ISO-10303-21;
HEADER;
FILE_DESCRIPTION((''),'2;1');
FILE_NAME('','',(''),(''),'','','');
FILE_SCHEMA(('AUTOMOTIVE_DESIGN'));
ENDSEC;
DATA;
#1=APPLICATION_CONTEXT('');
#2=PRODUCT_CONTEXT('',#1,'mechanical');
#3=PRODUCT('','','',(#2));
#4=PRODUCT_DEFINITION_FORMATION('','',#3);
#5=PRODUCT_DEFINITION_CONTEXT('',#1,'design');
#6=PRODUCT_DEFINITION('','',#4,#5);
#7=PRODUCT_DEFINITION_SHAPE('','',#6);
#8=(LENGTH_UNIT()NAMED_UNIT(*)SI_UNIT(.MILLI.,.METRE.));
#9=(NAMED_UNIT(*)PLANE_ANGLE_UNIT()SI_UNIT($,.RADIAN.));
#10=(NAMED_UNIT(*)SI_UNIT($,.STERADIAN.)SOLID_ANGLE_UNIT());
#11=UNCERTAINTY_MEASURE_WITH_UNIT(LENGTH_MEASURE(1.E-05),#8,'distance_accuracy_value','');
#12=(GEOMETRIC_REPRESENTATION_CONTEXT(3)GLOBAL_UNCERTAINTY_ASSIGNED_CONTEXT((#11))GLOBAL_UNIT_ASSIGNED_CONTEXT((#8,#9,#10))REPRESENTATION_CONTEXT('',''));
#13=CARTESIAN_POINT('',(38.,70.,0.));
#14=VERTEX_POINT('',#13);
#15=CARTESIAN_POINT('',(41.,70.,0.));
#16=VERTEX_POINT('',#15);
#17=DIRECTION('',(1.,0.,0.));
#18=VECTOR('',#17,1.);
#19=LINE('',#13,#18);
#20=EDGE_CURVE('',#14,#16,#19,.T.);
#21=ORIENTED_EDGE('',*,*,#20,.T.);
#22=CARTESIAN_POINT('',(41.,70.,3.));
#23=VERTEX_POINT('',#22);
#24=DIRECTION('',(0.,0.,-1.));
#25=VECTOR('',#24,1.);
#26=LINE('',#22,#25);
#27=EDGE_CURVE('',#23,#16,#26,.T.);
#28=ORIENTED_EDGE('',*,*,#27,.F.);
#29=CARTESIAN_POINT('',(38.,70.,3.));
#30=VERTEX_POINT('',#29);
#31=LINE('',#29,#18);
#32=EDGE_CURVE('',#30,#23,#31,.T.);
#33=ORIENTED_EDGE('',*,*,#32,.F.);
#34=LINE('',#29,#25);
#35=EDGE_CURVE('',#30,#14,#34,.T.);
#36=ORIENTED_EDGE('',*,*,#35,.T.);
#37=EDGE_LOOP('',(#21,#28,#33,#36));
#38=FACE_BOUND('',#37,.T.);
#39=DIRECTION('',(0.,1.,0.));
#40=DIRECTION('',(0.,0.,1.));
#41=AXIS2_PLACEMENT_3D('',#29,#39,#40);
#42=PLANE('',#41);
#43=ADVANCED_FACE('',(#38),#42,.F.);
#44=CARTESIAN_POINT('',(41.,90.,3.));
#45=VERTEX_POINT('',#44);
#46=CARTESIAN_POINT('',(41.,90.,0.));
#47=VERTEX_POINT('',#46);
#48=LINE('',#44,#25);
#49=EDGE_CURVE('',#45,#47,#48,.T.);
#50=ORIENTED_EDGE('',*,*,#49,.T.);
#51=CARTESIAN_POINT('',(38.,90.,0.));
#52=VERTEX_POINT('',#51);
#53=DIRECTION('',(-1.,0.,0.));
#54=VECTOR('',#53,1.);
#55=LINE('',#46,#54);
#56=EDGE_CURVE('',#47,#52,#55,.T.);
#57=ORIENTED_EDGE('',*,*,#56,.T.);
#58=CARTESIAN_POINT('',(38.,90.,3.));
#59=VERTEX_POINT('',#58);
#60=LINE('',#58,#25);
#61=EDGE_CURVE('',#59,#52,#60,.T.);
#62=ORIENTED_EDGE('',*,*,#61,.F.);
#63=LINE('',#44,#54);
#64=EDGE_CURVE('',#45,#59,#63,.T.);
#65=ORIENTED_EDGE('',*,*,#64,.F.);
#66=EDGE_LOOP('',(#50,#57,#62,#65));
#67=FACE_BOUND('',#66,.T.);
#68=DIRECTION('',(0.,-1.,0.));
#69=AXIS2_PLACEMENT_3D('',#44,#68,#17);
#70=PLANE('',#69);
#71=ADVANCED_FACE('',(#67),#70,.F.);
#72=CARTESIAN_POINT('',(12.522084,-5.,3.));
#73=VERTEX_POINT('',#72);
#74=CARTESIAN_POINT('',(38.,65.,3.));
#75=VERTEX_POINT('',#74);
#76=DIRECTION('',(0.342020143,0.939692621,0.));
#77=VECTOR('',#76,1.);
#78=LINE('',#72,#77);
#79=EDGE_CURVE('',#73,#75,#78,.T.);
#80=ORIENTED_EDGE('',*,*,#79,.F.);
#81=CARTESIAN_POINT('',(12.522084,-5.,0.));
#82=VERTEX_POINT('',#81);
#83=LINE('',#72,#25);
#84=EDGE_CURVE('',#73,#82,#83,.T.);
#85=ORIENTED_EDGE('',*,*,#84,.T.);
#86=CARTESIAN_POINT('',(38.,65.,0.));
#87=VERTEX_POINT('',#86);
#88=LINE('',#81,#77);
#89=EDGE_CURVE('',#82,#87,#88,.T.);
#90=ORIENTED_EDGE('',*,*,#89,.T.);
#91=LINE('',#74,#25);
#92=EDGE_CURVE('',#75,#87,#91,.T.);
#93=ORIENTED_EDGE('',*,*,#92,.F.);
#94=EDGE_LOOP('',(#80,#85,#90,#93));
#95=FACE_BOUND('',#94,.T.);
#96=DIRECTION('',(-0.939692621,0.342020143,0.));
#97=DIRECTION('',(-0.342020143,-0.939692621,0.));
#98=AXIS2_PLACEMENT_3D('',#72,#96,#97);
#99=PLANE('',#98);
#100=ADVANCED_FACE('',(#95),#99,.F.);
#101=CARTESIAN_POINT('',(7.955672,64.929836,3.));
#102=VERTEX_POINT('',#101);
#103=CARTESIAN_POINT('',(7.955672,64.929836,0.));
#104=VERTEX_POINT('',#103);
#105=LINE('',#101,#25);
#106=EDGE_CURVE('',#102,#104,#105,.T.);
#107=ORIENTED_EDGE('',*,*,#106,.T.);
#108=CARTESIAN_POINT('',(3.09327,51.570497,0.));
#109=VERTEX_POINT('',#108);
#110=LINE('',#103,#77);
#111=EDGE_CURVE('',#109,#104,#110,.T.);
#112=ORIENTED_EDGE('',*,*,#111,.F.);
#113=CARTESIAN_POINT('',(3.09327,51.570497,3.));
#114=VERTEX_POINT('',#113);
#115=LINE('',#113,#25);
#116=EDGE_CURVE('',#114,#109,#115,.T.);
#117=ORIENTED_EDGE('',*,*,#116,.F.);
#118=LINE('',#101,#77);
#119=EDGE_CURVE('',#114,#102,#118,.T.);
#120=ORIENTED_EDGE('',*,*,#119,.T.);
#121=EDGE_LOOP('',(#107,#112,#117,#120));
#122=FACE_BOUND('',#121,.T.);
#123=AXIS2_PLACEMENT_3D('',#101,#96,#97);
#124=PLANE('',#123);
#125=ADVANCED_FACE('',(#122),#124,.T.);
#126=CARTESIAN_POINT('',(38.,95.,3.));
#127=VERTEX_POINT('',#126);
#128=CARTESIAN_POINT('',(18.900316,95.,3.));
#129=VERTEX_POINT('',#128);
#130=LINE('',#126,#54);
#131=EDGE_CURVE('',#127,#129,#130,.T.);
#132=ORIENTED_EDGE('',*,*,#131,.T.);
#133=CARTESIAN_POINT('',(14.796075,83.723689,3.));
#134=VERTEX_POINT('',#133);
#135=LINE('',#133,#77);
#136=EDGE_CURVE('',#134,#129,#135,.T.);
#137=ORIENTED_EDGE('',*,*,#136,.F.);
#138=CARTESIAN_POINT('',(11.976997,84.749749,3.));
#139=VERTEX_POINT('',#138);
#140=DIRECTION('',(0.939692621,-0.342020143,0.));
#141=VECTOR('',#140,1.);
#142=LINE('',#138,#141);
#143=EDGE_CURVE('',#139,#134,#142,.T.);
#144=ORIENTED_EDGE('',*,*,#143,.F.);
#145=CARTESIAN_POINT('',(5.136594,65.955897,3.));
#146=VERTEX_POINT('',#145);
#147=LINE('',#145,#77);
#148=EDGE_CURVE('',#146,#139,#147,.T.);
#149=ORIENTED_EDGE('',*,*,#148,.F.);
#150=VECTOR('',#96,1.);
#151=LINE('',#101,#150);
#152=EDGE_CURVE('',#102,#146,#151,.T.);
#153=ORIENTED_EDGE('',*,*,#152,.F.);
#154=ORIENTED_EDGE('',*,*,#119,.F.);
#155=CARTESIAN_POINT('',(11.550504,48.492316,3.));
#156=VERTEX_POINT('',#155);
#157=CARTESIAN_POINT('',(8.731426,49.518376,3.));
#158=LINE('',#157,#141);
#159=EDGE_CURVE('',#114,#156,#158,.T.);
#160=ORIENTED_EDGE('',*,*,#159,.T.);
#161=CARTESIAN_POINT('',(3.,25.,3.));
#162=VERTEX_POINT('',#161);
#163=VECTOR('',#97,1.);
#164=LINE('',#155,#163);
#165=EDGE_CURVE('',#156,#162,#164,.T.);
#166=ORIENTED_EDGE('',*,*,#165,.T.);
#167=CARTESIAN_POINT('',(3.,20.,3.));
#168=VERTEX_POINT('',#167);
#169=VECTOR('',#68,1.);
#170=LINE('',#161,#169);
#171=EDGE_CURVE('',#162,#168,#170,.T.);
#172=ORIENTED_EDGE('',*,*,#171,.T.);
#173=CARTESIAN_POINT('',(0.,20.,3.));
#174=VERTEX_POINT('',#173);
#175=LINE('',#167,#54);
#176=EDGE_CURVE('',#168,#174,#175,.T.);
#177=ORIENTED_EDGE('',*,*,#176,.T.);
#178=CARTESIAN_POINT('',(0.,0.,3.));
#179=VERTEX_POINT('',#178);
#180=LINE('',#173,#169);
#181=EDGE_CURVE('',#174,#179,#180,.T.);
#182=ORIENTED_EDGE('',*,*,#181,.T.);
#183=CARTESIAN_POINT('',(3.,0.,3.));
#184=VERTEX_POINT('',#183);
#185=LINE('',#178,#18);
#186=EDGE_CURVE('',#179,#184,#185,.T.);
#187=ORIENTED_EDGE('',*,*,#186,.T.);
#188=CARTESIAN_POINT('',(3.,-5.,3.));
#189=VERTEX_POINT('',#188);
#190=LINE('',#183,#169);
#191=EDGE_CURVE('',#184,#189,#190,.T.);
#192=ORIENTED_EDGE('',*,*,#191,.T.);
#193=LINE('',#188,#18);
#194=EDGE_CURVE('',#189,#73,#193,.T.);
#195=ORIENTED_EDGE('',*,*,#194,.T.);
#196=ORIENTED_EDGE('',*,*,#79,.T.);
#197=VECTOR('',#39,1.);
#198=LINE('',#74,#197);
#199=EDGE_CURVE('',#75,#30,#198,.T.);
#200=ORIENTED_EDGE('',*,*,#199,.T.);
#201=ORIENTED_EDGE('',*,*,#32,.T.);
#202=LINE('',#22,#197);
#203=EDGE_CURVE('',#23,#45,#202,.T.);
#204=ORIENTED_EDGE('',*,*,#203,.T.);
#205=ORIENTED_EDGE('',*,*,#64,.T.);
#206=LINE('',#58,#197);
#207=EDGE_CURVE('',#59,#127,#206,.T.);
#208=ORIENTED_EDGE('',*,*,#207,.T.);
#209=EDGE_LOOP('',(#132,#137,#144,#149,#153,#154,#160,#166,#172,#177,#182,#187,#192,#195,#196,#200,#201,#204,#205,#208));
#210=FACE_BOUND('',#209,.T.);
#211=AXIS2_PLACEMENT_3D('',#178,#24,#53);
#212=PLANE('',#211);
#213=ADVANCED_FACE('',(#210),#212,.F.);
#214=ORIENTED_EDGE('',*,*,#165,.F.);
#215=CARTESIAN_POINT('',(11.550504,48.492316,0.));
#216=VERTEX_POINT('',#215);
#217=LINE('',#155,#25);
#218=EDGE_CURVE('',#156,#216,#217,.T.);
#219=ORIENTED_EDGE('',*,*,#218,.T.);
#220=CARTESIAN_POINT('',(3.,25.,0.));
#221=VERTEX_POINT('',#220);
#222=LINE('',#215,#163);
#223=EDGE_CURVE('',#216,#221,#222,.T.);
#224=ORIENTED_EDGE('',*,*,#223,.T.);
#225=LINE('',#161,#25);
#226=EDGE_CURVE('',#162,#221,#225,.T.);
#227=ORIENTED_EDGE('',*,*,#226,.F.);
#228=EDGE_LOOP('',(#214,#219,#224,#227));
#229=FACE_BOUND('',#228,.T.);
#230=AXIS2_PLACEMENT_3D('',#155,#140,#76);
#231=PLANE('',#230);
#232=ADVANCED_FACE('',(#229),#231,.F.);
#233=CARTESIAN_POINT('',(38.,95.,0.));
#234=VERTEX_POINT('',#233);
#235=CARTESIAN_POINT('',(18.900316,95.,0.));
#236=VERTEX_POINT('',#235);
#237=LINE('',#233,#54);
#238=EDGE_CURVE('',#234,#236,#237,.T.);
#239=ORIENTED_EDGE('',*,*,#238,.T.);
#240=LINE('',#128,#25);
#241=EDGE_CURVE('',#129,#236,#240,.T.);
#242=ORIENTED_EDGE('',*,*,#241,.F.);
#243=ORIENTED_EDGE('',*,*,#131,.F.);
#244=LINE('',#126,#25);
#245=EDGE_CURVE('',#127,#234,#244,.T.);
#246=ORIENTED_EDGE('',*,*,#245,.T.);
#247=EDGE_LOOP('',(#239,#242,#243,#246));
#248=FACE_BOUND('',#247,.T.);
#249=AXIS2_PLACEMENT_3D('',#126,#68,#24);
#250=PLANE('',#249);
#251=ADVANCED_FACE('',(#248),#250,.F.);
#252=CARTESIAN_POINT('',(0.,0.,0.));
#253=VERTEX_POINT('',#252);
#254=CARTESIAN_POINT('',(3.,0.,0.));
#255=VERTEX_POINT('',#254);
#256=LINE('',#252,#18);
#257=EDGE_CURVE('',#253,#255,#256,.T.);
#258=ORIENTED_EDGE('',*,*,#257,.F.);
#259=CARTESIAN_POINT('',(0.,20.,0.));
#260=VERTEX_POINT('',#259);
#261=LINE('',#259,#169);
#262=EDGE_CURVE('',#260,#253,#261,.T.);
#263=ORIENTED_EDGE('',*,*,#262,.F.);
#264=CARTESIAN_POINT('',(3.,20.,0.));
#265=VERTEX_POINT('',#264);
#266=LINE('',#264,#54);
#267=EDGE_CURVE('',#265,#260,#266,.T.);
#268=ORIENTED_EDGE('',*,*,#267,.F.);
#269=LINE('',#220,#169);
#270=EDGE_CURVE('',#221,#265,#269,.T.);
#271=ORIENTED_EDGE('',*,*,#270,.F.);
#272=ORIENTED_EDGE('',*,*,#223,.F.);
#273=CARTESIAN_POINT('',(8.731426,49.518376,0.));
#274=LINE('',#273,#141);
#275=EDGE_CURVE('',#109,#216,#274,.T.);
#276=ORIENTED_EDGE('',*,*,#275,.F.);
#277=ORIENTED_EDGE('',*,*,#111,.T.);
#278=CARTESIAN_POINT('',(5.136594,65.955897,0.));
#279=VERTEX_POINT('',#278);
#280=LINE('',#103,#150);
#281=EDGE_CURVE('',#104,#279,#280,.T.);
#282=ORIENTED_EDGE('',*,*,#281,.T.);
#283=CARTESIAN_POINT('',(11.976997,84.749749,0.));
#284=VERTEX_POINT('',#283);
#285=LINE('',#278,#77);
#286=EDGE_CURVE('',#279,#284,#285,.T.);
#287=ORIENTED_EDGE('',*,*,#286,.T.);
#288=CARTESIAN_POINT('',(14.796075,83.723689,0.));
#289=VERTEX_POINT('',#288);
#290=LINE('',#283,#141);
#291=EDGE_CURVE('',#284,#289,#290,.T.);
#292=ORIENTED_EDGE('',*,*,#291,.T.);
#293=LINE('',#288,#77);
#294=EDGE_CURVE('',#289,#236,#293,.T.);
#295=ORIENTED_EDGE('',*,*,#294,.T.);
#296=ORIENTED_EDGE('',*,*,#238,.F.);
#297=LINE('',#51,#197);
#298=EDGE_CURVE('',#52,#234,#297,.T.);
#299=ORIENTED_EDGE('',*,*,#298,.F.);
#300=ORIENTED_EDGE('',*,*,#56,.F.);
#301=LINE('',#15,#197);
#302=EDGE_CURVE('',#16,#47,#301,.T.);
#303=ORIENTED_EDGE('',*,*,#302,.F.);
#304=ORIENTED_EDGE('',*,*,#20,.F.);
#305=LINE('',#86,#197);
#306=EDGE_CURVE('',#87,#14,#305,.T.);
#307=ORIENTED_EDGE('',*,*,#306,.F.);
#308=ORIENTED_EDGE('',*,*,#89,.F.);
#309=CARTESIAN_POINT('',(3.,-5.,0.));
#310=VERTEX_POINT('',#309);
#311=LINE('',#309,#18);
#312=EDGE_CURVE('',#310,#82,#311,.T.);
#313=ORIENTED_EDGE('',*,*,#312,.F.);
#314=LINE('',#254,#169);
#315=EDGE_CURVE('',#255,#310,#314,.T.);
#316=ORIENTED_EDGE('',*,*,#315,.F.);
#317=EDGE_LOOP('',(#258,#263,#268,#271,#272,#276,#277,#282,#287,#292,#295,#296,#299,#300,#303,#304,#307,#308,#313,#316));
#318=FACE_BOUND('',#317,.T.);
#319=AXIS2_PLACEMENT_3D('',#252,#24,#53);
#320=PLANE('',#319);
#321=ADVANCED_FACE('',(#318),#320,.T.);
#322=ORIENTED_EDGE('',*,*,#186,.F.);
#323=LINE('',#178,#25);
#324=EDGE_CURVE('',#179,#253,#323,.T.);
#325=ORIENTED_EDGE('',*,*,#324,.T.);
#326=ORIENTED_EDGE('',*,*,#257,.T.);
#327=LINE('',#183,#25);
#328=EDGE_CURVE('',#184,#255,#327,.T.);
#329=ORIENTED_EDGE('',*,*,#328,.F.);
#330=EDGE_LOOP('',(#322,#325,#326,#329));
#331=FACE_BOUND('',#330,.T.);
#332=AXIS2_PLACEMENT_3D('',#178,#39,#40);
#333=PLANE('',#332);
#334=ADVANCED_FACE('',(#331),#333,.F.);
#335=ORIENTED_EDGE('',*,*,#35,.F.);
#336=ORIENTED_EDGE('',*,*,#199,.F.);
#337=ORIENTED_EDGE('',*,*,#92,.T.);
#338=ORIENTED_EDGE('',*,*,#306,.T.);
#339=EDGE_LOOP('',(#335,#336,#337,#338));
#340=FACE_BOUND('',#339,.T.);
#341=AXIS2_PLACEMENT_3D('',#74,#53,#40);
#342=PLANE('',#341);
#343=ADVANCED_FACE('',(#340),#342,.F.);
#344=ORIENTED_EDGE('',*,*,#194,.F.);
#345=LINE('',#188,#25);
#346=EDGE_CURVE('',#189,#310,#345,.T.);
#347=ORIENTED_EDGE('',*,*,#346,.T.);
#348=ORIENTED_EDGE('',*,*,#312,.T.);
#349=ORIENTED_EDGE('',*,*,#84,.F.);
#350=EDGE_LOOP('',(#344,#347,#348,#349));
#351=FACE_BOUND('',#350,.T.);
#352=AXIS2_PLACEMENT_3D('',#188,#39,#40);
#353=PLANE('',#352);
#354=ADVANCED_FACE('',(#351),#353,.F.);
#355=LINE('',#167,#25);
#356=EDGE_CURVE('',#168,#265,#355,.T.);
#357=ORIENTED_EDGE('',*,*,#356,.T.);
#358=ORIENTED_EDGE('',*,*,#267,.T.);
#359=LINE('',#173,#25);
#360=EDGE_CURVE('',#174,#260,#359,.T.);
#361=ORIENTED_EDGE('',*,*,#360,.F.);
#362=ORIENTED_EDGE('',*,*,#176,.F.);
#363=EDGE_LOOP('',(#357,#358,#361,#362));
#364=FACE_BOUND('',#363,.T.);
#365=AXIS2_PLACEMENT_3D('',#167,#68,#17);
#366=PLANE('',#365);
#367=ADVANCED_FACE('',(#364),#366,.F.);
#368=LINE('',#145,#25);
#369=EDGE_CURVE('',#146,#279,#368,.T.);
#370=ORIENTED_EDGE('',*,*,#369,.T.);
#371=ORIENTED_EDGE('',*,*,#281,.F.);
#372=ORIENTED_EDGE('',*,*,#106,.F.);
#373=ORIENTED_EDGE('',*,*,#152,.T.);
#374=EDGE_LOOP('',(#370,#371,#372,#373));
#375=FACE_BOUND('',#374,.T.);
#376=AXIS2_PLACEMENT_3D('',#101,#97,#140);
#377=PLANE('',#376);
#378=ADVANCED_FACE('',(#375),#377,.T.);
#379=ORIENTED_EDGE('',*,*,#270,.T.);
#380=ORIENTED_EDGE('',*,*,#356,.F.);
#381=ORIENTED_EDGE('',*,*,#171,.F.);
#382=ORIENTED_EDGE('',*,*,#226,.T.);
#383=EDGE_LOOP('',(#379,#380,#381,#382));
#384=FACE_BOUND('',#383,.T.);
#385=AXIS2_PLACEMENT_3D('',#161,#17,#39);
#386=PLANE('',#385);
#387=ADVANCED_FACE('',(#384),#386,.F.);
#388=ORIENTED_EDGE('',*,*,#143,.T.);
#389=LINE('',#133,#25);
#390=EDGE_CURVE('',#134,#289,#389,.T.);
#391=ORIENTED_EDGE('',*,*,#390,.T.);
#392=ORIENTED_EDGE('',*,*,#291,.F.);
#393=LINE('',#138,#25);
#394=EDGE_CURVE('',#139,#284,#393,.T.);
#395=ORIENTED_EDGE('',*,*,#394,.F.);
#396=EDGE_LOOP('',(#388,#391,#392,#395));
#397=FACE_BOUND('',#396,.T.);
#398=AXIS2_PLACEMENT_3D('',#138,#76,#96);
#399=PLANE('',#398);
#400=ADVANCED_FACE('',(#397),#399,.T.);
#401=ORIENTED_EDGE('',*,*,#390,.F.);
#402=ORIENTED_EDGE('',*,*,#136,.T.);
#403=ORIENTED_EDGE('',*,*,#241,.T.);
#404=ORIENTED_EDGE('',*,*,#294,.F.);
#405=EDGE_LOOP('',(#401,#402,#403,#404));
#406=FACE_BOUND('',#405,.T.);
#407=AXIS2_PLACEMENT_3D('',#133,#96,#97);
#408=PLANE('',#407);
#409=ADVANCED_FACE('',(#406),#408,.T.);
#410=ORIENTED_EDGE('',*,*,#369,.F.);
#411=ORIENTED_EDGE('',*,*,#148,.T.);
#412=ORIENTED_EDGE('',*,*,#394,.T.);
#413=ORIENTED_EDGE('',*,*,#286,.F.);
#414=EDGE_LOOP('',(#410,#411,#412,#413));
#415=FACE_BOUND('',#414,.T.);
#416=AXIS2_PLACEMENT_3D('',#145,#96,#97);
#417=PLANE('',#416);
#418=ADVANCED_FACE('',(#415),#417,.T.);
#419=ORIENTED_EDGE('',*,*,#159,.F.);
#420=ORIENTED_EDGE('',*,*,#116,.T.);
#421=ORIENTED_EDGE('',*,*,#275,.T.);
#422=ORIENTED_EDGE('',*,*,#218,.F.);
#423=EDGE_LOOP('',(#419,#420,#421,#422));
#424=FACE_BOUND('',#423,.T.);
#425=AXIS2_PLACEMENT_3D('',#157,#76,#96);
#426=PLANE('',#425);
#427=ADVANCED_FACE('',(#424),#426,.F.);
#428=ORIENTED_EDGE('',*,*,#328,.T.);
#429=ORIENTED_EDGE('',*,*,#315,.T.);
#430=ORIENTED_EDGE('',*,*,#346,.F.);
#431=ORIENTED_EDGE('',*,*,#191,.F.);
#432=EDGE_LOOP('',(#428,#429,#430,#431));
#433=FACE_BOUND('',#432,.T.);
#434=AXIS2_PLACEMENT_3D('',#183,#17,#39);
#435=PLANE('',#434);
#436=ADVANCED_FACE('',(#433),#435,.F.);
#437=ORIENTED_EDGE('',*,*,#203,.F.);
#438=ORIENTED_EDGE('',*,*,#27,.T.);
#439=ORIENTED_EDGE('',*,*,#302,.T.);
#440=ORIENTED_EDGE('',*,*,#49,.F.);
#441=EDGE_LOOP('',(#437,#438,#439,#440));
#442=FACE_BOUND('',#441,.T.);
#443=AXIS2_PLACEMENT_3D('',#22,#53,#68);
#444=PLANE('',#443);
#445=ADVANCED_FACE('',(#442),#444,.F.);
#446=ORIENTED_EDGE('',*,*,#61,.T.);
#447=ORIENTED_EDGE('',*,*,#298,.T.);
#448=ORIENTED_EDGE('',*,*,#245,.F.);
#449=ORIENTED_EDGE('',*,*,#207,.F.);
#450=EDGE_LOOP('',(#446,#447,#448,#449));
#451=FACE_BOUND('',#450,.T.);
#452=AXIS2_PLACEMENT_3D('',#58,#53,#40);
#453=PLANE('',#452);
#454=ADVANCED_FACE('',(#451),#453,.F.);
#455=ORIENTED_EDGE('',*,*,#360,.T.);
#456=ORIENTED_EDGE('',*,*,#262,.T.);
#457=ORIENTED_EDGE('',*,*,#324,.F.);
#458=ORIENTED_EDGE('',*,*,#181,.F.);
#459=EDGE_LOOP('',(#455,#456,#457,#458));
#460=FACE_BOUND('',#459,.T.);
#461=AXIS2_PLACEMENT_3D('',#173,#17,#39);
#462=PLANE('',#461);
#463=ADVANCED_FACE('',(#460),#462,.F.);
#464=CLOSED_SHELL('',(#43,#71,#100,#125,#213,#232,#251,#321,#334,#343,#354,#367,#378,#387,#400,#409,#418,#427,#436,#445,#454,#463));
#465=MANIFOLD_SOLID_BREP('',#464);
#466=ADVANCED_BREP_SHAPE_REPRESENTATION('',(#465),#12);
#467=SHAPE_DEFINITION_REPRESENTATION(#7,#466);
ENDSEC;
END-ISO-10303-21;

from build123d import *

# Parameters (mm, degrees)
BOSS_EXTRUDE1_DEPTH = 3
BOSS_EXTRUDE2_DEPTH = 3


with BuildPart() as part:
    # Sketch1 → Boss-Extrude1 (new body)
    with BuildSketch(Plane.XY):
        Polygon((3, -5), (12.522083602, -5), (38.000000001, 65), (38.000000001, 70), (41, 70), (41, 89.999999997), (38.000000001, 89.999999997), (38.000000001, 94.999999997), (28.477916397, 94.999999997), (18.390906449, 67.286167933), (15.571828589, 68.312228362), (8.731425723, 49.518375949), (11.550503583, 48.49231552), (3, 25), (3, 20), (0, 20), (0, 0), (3, 0), align=None)
    extrude(amount=BOSS_EXTRUDE1_DEPTH)

    # Sketch2 → Boss-Extrude2 (add)
    with BuildSketch(Plane(origin=(0, 0, 0), x_dir=(-1, 0, 0), z_dir=(0, 0, -1))):
        Polygon((-7.955671859, 64.929836131), (-3.093269996, 51.57049681), (-8.731425723, 49.518375949), (-15.571828589, 68.312228362), (-18.390906449, 67.286167933), (-28.477916397, 94.999999997), (-18.900316445, 94.999999997), (-14.796074725, 83.723688547), (-11.976996863, 84.749748977), (-5.136593996, 65.955896561), align=None)
    extrude(amount=-BOSS_EXTRUDE2_DEPTH)


solid = part.part
